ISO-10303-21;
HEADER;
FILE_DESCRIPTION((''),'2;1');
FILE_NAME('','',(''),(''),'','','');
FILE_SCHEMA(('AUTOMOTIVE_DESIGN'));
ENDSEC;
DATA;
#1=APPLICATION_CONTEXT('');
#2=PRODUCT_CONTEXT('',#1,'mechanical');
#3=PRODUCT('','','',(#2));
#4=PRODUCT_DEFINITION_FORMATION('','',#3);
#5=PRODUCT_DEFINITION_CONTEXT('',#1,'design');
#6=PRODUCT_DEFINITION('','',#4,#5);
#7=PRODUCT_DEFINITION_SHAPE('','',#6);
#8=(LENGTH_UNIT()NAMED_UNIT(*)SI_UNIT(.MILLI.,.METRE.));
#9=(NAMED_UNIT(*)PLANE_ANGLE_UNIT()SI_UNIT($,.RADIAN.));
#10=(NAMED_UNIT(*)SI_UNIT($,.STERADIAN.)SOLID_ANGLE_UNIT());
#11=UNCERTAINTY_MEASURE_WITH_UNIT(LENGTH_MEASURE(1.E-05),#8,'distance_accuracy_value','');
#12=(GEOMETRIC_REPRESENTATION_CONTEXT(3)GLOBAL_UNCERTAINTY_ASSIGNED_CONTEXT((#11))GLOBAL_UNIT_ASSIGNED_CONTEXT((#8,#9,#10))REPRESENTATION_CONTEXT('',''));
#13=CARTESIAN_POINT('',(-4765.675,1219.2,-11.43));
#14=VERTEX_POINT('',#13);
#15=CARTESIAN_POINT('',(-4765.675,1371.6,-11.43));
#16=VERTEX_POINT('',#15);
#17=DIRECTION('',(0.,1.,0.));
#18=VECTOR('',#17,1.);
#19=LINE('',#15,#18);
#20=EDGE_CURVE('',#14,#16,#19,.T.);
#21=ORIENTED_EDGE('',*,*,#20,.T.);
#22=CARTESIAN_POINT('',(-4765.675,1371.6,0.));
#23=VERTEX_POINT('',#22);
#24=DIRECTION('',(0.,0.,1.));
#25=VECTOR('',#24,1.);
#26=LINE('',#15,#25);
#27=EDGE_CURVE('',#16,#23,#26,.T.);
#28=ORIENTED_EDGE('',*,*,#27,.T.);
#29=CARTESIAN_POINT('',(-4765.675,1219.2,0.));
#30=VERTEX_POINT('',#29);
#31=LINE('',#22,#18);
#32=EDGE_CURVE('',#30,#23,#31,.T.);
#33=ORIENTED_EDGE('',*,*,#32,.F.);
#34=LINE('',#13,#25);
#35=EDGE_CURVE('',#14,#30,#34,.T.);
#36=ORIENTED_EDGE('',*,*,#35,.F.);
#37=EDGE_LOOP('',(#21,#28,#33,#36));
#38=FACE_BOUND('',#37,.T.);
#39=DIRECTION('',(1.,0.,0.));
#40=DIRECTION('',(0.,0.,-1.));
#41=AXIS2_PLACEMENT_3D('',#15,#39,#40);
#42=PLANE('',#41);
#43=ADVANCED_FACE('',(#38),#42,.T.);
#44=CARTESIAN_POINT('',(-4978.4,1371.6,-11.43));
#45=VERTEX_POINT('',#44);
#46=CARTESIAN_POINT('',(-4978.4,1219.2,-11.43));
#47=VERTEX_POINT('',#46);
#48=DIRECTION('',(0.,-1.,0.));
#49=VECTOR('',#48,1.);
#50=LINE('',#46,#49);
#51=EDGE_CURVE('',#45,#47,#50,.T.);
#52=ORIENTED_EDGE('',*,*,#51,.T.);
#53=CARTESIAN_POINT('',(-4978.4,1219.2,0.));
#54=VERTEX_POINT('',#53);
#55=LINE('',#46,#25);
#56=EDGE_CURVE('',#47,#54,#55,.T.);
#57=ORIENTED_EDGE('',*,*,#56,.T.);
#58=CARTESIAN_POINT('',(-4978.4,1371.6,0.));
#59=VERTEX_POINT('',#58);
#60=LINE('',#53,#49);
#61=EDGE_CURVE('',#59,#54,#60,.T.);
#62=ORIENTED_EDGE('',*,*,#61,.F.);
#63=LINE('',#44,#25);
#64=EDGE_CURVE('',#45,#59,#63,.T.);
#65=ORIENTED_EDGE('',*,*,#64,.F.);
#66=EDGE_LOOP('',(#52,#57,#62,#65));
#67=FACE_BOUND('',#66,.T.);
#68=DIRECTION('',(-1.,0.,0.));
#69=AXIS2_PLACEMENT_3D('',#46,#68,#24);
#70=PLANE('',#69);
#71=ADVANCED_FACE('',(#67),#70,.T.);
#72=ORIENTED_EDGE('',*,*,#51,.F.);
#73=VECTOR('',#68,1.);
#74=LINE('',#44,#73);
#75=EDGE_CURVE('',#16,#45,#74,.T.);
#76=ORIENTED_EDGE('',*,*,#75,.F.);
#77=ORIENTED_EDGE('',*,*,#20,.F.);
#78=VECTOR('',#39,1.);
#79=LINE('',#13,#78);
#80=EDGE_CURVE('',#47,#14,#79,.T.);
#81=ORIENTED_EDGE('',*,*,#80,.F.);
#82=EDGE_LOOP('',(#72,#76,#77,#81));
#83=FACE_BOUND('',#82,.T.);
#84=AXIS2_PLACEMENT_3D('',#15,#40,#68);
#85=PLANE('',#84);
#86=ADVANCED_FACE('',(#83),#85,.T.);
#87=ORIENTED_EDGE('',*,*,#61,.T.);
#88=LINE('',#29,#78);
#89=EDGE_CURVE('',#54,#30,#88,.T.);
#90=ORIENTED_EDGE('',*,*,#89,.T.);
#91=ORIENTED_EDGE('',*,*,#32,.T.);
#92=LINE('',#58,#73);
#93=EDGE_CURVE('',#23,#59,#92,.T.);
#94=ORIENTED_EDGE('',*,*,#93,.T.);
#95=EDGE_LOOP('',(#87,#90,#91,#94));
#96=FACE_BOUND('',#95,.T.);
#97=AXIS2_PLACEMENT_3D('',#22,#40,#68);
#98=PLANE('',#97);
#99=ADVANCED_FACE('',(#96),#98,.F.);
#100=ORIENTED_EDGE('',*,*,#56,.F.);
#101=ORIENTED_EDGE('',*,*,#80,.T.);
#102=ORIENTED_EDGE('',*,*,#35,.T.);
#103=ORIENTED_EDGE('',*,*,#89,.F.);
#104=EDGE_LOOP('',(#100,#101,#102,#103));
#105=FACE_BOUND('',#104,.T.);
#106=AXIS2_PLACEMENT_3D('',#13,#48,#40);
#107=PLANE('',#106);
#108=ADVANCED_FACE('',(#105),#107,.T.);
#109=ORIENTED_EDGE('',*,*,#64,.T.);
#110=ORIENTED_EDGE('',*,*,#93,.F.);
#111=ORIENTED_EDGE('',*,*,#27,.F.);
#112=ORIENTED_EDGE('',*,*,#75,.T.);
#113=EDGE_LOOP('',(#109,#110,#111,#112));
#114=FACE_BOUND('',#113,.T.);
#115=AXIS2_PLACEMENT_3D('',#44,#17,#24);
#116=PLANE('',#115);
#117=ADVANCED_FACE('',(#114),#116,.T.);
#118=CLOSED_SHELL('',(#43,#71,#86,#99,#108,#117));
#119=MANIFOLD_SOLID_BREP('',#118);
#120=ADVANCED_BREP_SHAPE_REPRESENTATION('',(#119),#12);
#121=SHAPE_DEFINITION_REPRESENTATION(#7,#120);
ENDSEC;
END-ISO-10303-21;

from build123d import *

# Parameters (mm, degrees)
SIDEOUTLINE_W               = 212.725
SIDEOUTLINE_H               = 152.4
SIDEOUTLINE_THICKNESS_DEPTH = 11.43


with BuildPart() as part:
    # SideOutline → SideOutline_Thickness (new body)
    with BuildSketch(Plane.XY):
        with Locations((-4872.0375, 1295.4)):
            Rectangle(SIDEOUTLINE_W, SIDEOUTLINE_H)
    extrude(amount=-SIDEOUTLINE_THICKNESS_DEPTH)


solid = part.part
